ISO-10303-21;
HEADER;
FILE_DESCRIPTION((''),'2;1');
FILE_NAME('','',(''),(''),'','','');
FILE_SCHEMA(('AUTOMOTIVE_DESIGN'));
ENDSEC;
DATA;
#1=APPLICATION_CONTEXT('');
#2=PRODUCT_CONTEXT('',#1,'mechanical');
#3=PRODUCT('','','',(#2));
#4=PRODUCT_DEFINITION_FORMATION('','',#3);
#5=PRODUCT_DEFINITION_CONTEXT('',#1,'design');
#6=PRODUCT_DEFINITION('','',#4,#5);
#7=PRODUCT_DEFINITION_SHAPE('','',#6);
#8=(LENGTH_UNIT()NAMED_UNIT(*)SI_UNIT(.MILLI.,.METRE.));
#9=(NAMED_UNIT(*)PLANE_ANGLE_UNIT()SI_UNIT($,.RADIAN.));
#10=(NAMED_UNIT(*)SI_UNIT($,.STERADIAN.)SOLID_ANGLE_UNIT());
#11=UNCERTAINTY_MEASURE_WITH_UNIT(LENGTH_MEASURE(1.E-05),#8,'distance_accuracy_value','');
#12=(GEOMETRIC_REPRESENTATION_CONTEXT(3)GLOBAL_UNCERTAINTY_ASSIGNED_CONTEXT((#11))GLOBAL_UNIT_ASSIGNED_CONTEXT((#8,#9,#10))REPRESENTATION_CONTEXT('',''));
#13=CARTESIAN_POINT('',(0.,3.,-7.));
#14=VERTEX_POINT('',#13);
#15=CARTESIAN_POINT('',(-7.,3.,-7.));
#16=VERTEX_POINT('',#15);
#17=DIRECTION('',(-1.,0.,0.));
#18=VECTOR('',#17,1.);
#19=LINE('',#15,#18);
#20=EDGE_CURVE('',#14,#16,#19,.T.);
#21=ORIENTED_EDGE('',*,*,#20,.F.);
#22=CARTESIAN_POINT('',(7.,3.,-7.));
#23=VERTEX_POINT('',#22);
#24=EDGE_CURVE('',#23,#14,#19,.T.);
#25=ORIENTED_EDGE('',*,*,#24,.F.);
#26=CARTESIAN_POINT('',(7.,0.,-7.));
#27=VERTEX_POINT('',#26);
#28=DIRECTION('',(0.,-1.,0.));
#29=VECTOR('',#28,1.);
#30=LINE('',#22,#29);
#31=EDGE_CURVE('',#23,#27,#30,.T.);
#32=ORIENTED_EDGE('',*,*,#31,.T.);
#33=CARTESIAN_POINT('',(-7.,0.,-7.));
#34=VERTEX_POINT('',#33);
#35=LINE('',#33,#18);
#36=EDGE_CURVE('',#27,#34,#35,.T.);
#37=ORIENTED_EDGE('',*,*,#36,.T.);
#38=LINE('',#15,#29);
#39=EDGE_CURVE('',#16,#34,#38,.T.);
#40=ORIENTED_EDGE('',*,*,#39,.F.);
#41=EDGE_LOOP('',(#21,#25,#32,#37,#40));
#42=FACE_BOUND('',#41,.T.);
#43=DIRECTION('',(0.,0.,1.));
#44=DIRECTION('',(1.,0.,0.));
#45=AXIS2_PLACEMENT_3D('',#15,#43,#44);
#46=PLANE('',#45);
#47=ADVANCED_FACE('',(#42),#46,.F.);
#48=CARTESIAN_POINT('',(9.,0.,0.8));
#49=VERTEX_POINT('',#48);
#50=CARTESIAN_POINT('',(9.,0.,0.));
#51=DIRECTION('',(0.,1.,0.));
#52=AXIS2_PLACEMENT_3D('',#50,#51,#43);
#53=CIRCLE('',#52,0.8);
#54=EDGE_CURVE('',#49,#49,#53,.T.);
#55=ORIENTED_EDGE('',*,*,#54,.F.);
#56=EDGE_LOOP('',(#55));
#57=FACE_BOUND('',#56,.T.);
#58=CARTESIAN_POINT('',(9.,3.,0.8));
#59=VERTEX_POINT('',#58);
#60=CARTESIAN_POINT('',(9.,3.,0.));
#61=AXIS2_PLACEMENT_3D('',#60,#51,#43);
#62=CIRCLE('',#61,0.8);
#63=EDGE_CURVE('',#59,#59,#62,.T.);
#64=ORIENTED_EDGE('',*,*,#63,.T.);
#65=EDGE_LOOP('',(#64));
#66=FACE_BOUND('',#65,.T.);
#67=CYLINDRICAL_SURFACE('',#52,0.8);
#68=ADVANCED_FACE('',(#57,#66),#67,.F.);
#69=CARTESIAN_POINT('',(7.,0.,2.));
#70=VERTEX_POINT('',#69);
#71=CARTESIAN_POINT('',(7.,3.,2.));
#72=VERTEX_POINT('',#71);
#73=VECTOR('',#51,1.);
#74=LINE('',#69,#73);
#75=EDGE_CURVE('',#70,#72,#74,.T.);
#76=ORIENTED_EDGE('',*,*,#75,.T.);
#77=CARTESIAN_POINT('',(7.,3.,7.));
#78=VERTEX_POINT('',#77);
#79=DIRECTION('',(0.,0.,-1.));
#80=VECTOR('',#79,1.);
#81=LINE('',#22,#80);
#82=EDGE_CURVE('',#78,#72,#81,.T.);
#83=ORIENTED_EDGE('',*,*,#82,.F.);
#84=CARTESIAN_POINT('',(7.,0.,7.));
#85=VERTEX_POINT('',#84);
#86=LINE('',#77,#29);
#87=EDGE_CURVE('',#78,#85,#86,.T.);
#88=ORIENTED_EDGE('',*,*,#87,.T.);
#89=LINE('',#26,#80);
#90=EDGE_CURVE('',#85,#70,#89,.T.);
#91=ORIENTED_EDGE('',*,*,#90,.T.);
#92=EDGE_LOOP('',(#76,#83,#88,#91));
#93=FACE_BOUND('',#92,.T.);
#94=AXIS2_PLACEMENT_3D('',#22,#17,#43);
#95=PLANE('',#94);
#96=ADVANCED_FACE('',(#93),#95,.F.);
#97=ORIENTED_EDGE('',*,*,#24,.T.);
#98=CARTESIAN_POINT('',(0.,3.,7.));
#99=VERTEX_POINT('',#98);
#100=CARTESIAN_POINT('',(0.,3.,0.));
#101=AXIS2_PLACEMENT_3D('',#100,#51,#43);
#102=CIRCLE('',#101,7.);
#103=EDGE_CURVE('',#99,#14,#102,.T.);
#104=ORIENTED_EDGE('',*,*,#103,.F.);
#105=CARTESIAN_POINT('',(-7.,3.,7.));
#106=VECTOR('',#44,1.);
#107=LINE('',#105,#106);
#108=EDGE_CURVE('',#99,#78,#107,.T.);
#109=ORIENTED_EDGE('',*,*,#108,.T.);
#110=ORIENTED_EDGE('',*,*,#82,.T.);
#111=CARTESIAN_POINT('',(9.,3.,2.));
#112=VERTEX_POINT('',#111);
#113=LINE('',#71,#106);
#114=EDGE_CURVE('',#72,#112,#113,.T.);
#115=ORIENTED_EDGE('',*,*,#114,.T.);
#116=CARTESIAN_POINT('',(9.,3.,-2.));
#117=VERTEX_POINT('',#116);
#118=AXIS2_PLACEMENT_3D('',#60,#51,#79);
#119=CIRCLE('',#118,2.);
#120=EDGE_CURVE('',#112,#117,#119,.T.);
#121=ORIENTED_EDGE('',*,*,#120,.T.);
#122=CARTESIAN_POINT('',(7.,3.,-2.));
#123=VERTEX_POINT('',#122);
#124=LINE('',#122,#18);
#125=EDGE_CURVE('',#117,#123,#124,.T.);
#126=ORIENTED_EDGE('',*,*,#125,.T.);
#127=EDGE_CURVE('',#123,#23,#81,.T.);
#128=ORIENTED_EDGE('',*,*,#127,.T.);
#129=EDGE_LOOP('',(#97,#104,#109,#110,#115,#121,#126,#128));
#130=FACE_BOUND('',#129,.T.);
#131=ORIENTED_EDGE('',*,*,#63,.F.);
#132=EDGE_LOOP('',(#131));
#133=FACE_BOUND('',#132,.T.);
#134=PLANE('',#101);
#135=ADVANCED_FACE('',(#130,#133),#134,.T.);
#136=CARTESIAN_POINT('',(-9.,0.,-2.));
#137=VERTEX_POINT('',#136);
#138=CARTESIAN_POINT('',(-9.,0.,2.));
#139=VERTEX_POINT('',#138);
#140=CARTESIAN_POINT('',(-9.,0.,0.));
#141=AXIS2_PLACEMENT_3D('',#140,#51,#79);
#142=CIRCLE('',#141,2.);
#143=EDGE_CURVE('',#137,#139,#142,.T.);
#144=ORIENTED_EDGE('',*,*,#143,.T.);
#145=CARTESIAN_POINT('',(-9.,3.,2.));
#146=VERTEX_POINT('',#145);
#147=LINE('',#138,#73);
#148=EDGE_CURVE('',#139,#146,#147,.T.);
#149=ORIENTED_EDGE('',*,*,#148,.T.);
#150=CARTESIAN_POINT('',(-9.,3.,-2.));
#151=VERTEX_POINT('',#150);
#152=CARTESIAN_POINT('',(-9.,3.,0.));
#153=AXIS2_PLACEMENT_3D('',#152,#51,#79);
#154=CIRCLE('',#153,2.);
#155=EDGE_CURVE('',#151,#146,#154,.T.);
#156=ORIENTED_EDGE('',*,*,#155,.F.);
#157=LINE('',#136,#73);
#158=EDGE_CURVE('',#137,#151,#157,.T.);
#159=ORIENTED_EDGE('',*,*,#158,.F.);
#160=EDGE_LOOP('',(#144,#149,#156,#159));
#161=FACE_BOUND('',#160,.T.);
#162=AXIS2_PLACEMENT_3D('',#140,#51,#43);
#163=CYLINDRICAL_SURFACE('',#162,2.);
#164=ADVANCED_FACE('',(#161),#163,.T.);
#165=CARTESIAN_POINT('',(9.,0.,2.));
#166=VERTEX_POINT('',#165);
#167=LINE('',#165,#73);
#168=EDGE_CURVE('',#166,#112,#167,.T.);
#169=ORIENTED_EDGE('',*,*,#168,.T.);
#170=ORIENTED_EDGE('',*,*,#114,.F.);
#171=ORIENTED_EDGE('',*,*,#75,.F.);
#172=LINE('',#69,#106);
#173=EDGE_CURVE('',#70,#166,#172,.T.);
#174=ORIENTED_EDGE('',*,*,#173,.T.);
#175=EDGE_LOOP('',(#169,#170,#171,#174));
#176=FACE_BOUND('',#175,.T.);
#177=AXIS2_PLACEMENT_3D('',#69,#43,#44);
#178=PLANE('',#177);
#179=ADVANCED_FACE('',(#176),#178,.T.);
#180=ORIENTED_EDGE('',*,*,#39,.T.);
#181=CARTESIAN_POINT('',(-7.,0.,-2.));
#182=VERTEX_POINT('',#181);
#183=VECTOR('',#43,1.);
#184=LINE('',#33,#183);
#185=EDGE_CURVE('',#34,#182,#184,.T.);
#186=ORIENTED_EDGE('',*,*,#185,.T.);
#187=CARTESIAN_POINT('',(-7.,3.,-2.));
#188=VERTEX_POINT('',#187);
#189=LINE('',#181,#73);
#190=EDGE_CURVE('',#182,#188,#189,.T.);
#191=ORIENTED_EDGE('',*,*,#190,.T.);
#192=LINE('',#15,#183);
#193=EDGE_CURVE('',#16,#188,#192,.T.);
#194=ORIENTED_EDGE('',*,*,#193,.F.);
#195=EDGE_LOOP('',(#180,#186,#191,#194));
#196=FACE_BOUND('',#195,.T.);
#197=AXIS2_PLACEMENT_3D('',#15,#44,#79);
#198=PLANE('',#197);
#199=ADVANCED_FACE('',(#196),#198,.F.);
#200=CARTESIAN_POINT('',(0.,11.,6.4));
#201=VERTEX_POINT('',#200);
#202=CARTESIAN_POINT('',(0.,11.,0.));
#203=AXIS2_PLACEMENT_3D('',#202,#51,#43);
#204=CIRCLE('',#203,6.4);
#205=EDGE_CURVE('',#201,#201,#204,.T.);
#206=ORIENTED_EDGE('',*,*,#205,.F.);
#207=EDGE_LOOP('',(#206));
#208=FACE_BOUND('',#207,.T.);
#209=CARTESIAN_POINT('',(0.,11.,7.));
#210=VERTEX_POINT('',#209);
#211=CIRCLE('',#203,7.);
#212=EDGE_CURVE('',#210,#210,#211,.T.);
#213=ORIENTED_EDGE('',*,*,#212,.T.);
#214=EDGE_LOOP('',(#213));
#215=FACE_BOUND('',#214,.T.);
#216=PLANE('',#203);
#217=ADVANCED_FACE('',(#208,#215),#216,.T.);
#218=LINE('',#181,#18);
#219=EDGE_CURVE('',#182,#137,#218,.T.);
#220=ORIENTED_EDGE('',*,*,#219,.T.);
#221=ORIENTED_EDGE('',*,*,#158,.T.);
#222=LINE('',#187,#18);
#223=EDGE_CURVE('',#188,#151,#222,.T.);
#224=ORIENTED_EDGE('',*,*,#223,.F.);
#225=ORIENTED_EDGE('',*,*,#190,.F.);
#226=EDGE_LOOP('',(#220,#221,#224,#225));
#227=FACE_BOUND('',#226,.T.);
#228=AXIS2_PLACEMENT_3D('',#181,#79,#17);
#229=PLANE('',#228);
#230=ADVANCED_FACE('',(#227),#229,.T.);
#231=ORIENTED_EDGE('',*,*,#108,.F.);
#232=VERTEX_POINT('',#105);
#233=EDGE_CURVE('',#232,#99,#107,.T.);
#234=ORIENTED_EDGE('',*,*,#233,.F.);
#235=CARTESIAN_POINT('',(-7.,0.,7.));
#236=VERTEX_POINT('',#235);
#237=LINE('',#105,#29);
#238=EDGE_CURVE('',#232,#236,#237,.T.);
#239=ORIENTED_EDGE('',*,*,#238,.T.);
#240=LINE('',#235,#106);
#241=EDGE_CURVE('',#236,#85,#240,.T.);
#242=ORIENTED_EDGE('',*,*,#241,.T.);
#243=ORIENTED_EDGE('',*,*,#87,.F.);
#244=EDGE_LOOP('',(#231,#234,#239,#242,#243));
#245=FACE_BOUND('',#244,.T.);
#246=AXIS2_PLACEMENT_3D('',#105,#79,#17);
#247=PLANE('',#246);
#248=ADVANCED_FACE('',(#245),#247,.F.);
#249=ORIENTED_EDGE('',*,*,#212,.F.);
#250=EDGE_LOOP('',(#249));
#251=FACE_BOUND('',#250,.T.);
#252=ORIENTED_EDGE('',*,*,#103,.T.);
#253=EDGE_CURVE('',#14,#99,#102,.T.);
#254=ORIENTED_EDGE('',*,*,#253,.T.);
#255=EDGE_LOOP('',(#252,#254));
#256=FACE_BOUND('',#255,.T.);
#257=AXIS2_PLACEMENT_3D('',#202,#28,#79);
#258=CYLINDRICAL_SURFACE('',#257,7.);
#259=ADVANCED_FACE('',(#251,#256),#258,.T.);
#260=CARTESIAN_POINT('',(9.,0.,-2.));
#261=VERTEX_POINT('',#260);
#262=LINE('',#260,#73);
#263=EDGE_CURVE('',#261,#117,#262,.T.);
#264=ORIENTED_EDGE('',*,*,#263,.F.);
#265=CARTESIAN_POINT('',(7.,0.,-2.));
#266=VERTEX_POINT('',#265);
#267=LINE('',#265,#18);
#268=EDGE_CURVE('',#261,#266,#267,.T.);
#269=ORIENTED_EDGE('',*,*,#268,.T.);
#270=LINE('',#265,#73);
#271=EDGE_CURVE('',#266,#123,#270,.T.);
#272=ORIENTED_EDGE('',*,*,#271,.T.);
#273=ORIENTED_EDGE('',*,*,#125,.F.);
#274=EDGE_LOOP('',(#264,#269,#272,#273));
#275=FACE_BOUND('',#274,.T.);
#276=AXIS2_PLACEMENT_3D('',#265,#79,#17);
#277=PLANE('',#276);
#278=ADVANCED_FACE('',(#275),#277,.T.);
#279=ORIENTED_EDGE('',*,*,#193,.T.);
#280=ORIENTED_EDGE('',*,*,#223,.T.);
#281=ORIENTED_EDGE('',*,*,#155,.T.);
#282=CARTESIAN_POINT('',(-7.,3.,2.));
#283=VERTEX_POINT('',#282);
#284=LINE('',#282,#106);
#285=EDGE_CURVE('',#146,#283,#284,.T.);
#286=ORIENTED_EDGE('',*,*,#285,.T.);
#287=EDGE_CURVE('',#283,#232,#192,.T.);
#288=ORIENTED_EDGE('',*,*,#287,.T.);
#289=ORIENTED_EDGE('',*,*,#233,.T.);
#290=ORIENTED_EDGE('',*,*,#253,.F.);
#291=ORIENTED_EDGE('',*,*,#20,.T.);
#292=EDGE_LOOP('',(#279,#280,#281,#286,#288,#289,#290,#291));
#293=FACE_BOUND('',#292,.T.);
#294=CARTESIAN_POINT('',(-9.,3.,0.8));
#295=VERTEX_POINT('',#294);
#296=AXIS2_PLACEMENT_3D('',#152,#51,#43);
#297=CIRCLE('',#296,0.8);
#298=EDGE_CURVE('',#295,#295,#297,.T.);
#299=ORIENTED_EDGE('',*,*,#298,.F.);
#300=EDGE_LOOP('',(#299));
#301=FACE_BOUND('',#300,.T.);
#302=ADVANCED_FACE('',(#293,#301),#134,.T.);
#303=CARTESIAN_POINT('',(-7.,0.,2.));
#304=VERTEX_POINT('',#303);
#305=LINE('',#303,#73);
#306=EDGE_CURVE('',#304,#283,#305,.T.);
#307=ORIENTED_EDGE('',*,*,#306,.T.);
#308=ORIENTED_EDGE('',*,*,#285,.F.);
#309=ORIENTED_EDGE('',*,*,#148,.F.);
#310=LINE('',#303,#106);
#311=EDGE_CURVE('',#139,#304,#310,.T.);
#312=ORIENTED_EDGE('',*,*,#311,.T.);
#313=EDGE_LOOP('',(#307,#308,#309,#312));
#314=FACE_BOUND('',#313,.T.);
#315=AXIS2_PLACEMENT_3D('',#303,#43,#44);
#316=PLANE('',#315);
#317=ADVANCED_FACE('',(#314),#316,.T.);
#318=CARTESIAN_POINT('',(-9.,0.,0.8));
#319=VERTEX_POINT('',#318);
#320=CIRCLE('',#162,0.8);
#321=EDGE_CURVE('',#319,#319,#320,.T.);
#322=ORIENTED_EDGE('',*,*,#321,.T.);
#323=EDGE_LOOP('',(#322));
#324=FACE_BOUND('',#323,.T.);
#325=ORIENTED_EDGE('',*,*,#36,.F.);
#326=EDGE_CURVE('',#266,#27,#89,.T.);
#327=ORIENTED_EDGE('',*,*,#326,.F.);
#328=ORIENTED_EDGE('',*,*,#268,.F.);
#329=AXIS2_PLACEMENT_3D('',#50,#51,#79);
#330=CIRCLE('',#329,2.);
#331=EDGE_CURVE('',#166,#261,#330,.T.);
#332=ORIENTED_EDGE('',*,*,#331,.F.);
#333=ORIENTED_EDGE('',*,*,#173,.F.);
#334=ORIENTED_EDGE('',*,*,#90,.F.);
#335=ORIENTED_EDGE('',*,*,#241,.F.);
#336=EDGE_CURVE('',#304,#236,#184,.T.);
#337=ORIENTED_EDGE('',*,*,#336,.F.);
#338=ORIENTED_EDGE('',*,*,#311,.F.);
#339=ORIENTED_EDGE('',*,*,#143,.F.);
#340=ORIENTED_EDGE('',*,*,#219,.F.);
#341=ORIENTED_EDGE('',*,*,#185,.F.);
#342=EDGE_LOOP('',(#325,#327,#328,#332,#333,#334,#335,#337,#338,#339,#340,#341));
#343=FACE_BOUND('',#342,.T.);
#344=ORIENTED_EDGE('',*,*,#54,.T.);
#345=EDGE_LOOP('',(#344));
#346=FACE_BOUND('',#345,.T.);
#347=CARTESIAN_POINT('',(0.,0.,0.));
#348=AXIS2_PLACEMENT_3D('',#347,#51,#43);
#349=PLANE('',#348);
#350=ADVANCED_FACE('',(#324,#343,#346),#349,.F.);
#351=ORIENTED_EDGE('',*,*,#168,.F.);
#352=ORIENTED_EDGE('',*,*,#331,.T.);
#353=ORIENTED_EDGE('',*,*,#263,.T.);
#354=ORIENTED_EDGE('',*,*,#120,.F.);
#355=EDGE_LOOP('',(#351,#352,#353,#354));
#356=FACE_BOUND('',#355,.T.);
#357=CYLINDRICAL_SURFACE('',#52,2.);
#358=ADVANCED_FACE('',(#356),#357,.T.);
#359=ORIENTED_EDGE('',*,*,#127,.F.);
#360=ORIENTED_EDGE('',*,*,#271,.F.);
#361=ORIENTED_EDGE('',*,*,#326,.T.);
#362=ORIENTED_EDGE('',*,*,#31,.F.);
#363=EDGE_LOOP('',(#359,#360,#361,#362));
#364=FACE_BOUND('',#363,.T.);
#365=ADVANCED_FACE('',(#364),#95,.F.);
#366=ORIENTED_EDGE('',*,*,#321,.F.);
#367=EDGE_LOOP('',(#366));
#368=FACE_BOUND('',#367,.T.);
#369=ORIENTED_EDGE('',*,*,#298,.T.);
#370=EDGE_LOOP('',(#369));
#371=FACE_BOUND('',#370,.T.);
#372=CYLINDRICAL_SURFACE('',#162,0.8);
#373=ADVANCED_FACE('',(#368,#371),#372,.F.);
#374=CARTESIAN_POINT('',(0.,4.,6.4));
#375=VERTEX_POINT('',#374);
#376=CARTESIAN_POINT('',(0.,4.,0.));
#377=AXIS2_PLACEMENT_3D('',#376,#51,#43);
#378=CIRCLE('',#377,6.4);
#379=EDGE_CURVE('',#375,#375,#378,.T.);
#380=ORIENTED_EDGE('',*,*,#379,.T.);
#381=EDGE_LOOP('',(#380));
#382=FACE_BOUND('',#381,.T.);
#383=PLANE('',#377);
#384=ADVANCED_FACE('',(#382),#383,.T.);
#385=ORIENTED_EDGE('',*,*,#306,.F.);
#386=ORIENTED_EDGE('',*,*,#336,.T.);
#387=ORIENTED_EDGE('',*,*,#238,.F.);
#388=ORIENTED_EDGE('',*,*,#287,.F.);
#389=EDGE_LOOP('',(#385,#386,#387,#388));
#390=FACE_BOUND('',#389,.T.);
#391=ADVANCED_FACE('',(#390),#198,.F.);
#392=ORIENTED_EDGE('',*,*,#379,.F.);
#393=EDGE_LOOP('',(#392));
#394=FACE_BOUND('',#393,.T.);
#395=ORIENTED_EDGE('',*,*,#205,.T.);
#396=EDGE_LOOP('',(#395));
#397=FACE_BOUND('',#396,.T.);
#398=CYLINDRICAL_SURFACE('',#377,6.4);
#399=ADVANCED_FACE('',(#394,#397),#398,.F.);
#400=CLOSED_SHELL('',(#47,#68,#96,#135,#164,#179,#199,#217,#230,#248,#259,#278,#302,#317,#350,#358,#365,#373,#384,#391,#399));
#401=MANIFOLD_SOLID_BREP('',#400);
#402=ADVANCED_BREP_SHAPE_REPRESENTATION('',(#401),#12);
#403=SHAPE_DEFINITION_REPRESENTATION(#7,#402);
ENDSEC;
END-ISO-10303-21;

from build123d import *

# Parameters (mm, degrees)
SKETCH_1_W          = 14
SKETCH_1_H          = 14
EXTRUDE_2_DEPTH     = 3
EXTRUDE_4_DEPTH     = 3
EXTRUDE_5_DEPTH     = 3
SKETCH_4_R          = 0.8
CUT_EXTRUDE_1_DEPTH = 3
SKETCH_5_R          = 7
EXTRUDE_6_DEPTH     = 8
SKETCH_6_R          = 6.4
CUT_EXTRUDE_2_DEPTH = 7


with BuildPart() as part:
    # 草图1 → 凸台-拉伸2 (new body)
    with BuildSketch(Plane(origin=(0, 0, 0), x_dir=(1, 0, 0), z_dir=(0, 1, 0))):
        Rectangle(SKETCH_1_W, SKETCH_1_H)
    extrude(amount=EXTRUDE_2_DEPTH)

    # 草图2 → 凸台-拉伸4 (add)
    with BuildSketch(Plane(origin=(0, 3, 0), x_dir=(1, 0, 0), z_dir=(0, 1, 0))):
        Polygon((-7, 0), (-7, 2), (-9, 2), (-9, 0), (-9, -2), (-7, -2), align=None)
        Polygon((7, 0), (7, 2), (9, 2), (9, 0), (9, -2), (7, -2), align=None)
    extrude(amount=-EXTRUDE_4_DEPTH)

    # 草图3 → 凸台-拉伸5 (add)
    with BuildSketch(Plane(origin=(0, 3, 0), x_dir=(1, 0, 0), z_dir=(0, 1, 0))):
        with BuildLine():
            Line((-9, 2), (-9, -2))
            ThreePointArc((-9, -2), (-11, 0), (-9, 2))
        make_face()
        with BuildLine():
            Line((9, 2), (9, -2))
            ThreePointArc((9, -2), (11, 0), (9, 2))
        make_face()
    extrude(amount=-EXTRUDE_5_DEPTH)

    # 草图4 → 切除-拉伸1 (cut)
    with BuildSketch(Plane(origin=(0, 3, 0), x_dir=(1, 0, 0), z_dir=(0, 1, 0))):
        with Locations((-9, 0)):
            Circle(SKETCH_4_R)
        with Locations((9, 0)):
            Circle(SKETCH_4_R)
    extrude(amount=-CUT_EXTRUDE_1_DEPTH, mode=Mode.SUBTRACT)

    # 草图5 → 凸台-拉伸6 (add)
    with BuildSketch(Plane(origin=(0, 3, 0), x_dir=(1, 0, 0), z_dir=(0, 1, 0))):
        Circle(SKETCH_5_R)
    extrude(amount=EXTRUDE_6_DEPTH)

    # 草图6 → 切除-拉伸2 (cut)
    with BuildSketch(Plane(origin=(0, 11, 0), x_dir=(1, 0, 0), z_dir=(0, 1, 0))):
        Circle(SKETCH_6_R)
    extrude(amount=-CUT_EXTRUDE_2_DEPTH, mode=Mode.SUBTRACT)


solid = part.part
